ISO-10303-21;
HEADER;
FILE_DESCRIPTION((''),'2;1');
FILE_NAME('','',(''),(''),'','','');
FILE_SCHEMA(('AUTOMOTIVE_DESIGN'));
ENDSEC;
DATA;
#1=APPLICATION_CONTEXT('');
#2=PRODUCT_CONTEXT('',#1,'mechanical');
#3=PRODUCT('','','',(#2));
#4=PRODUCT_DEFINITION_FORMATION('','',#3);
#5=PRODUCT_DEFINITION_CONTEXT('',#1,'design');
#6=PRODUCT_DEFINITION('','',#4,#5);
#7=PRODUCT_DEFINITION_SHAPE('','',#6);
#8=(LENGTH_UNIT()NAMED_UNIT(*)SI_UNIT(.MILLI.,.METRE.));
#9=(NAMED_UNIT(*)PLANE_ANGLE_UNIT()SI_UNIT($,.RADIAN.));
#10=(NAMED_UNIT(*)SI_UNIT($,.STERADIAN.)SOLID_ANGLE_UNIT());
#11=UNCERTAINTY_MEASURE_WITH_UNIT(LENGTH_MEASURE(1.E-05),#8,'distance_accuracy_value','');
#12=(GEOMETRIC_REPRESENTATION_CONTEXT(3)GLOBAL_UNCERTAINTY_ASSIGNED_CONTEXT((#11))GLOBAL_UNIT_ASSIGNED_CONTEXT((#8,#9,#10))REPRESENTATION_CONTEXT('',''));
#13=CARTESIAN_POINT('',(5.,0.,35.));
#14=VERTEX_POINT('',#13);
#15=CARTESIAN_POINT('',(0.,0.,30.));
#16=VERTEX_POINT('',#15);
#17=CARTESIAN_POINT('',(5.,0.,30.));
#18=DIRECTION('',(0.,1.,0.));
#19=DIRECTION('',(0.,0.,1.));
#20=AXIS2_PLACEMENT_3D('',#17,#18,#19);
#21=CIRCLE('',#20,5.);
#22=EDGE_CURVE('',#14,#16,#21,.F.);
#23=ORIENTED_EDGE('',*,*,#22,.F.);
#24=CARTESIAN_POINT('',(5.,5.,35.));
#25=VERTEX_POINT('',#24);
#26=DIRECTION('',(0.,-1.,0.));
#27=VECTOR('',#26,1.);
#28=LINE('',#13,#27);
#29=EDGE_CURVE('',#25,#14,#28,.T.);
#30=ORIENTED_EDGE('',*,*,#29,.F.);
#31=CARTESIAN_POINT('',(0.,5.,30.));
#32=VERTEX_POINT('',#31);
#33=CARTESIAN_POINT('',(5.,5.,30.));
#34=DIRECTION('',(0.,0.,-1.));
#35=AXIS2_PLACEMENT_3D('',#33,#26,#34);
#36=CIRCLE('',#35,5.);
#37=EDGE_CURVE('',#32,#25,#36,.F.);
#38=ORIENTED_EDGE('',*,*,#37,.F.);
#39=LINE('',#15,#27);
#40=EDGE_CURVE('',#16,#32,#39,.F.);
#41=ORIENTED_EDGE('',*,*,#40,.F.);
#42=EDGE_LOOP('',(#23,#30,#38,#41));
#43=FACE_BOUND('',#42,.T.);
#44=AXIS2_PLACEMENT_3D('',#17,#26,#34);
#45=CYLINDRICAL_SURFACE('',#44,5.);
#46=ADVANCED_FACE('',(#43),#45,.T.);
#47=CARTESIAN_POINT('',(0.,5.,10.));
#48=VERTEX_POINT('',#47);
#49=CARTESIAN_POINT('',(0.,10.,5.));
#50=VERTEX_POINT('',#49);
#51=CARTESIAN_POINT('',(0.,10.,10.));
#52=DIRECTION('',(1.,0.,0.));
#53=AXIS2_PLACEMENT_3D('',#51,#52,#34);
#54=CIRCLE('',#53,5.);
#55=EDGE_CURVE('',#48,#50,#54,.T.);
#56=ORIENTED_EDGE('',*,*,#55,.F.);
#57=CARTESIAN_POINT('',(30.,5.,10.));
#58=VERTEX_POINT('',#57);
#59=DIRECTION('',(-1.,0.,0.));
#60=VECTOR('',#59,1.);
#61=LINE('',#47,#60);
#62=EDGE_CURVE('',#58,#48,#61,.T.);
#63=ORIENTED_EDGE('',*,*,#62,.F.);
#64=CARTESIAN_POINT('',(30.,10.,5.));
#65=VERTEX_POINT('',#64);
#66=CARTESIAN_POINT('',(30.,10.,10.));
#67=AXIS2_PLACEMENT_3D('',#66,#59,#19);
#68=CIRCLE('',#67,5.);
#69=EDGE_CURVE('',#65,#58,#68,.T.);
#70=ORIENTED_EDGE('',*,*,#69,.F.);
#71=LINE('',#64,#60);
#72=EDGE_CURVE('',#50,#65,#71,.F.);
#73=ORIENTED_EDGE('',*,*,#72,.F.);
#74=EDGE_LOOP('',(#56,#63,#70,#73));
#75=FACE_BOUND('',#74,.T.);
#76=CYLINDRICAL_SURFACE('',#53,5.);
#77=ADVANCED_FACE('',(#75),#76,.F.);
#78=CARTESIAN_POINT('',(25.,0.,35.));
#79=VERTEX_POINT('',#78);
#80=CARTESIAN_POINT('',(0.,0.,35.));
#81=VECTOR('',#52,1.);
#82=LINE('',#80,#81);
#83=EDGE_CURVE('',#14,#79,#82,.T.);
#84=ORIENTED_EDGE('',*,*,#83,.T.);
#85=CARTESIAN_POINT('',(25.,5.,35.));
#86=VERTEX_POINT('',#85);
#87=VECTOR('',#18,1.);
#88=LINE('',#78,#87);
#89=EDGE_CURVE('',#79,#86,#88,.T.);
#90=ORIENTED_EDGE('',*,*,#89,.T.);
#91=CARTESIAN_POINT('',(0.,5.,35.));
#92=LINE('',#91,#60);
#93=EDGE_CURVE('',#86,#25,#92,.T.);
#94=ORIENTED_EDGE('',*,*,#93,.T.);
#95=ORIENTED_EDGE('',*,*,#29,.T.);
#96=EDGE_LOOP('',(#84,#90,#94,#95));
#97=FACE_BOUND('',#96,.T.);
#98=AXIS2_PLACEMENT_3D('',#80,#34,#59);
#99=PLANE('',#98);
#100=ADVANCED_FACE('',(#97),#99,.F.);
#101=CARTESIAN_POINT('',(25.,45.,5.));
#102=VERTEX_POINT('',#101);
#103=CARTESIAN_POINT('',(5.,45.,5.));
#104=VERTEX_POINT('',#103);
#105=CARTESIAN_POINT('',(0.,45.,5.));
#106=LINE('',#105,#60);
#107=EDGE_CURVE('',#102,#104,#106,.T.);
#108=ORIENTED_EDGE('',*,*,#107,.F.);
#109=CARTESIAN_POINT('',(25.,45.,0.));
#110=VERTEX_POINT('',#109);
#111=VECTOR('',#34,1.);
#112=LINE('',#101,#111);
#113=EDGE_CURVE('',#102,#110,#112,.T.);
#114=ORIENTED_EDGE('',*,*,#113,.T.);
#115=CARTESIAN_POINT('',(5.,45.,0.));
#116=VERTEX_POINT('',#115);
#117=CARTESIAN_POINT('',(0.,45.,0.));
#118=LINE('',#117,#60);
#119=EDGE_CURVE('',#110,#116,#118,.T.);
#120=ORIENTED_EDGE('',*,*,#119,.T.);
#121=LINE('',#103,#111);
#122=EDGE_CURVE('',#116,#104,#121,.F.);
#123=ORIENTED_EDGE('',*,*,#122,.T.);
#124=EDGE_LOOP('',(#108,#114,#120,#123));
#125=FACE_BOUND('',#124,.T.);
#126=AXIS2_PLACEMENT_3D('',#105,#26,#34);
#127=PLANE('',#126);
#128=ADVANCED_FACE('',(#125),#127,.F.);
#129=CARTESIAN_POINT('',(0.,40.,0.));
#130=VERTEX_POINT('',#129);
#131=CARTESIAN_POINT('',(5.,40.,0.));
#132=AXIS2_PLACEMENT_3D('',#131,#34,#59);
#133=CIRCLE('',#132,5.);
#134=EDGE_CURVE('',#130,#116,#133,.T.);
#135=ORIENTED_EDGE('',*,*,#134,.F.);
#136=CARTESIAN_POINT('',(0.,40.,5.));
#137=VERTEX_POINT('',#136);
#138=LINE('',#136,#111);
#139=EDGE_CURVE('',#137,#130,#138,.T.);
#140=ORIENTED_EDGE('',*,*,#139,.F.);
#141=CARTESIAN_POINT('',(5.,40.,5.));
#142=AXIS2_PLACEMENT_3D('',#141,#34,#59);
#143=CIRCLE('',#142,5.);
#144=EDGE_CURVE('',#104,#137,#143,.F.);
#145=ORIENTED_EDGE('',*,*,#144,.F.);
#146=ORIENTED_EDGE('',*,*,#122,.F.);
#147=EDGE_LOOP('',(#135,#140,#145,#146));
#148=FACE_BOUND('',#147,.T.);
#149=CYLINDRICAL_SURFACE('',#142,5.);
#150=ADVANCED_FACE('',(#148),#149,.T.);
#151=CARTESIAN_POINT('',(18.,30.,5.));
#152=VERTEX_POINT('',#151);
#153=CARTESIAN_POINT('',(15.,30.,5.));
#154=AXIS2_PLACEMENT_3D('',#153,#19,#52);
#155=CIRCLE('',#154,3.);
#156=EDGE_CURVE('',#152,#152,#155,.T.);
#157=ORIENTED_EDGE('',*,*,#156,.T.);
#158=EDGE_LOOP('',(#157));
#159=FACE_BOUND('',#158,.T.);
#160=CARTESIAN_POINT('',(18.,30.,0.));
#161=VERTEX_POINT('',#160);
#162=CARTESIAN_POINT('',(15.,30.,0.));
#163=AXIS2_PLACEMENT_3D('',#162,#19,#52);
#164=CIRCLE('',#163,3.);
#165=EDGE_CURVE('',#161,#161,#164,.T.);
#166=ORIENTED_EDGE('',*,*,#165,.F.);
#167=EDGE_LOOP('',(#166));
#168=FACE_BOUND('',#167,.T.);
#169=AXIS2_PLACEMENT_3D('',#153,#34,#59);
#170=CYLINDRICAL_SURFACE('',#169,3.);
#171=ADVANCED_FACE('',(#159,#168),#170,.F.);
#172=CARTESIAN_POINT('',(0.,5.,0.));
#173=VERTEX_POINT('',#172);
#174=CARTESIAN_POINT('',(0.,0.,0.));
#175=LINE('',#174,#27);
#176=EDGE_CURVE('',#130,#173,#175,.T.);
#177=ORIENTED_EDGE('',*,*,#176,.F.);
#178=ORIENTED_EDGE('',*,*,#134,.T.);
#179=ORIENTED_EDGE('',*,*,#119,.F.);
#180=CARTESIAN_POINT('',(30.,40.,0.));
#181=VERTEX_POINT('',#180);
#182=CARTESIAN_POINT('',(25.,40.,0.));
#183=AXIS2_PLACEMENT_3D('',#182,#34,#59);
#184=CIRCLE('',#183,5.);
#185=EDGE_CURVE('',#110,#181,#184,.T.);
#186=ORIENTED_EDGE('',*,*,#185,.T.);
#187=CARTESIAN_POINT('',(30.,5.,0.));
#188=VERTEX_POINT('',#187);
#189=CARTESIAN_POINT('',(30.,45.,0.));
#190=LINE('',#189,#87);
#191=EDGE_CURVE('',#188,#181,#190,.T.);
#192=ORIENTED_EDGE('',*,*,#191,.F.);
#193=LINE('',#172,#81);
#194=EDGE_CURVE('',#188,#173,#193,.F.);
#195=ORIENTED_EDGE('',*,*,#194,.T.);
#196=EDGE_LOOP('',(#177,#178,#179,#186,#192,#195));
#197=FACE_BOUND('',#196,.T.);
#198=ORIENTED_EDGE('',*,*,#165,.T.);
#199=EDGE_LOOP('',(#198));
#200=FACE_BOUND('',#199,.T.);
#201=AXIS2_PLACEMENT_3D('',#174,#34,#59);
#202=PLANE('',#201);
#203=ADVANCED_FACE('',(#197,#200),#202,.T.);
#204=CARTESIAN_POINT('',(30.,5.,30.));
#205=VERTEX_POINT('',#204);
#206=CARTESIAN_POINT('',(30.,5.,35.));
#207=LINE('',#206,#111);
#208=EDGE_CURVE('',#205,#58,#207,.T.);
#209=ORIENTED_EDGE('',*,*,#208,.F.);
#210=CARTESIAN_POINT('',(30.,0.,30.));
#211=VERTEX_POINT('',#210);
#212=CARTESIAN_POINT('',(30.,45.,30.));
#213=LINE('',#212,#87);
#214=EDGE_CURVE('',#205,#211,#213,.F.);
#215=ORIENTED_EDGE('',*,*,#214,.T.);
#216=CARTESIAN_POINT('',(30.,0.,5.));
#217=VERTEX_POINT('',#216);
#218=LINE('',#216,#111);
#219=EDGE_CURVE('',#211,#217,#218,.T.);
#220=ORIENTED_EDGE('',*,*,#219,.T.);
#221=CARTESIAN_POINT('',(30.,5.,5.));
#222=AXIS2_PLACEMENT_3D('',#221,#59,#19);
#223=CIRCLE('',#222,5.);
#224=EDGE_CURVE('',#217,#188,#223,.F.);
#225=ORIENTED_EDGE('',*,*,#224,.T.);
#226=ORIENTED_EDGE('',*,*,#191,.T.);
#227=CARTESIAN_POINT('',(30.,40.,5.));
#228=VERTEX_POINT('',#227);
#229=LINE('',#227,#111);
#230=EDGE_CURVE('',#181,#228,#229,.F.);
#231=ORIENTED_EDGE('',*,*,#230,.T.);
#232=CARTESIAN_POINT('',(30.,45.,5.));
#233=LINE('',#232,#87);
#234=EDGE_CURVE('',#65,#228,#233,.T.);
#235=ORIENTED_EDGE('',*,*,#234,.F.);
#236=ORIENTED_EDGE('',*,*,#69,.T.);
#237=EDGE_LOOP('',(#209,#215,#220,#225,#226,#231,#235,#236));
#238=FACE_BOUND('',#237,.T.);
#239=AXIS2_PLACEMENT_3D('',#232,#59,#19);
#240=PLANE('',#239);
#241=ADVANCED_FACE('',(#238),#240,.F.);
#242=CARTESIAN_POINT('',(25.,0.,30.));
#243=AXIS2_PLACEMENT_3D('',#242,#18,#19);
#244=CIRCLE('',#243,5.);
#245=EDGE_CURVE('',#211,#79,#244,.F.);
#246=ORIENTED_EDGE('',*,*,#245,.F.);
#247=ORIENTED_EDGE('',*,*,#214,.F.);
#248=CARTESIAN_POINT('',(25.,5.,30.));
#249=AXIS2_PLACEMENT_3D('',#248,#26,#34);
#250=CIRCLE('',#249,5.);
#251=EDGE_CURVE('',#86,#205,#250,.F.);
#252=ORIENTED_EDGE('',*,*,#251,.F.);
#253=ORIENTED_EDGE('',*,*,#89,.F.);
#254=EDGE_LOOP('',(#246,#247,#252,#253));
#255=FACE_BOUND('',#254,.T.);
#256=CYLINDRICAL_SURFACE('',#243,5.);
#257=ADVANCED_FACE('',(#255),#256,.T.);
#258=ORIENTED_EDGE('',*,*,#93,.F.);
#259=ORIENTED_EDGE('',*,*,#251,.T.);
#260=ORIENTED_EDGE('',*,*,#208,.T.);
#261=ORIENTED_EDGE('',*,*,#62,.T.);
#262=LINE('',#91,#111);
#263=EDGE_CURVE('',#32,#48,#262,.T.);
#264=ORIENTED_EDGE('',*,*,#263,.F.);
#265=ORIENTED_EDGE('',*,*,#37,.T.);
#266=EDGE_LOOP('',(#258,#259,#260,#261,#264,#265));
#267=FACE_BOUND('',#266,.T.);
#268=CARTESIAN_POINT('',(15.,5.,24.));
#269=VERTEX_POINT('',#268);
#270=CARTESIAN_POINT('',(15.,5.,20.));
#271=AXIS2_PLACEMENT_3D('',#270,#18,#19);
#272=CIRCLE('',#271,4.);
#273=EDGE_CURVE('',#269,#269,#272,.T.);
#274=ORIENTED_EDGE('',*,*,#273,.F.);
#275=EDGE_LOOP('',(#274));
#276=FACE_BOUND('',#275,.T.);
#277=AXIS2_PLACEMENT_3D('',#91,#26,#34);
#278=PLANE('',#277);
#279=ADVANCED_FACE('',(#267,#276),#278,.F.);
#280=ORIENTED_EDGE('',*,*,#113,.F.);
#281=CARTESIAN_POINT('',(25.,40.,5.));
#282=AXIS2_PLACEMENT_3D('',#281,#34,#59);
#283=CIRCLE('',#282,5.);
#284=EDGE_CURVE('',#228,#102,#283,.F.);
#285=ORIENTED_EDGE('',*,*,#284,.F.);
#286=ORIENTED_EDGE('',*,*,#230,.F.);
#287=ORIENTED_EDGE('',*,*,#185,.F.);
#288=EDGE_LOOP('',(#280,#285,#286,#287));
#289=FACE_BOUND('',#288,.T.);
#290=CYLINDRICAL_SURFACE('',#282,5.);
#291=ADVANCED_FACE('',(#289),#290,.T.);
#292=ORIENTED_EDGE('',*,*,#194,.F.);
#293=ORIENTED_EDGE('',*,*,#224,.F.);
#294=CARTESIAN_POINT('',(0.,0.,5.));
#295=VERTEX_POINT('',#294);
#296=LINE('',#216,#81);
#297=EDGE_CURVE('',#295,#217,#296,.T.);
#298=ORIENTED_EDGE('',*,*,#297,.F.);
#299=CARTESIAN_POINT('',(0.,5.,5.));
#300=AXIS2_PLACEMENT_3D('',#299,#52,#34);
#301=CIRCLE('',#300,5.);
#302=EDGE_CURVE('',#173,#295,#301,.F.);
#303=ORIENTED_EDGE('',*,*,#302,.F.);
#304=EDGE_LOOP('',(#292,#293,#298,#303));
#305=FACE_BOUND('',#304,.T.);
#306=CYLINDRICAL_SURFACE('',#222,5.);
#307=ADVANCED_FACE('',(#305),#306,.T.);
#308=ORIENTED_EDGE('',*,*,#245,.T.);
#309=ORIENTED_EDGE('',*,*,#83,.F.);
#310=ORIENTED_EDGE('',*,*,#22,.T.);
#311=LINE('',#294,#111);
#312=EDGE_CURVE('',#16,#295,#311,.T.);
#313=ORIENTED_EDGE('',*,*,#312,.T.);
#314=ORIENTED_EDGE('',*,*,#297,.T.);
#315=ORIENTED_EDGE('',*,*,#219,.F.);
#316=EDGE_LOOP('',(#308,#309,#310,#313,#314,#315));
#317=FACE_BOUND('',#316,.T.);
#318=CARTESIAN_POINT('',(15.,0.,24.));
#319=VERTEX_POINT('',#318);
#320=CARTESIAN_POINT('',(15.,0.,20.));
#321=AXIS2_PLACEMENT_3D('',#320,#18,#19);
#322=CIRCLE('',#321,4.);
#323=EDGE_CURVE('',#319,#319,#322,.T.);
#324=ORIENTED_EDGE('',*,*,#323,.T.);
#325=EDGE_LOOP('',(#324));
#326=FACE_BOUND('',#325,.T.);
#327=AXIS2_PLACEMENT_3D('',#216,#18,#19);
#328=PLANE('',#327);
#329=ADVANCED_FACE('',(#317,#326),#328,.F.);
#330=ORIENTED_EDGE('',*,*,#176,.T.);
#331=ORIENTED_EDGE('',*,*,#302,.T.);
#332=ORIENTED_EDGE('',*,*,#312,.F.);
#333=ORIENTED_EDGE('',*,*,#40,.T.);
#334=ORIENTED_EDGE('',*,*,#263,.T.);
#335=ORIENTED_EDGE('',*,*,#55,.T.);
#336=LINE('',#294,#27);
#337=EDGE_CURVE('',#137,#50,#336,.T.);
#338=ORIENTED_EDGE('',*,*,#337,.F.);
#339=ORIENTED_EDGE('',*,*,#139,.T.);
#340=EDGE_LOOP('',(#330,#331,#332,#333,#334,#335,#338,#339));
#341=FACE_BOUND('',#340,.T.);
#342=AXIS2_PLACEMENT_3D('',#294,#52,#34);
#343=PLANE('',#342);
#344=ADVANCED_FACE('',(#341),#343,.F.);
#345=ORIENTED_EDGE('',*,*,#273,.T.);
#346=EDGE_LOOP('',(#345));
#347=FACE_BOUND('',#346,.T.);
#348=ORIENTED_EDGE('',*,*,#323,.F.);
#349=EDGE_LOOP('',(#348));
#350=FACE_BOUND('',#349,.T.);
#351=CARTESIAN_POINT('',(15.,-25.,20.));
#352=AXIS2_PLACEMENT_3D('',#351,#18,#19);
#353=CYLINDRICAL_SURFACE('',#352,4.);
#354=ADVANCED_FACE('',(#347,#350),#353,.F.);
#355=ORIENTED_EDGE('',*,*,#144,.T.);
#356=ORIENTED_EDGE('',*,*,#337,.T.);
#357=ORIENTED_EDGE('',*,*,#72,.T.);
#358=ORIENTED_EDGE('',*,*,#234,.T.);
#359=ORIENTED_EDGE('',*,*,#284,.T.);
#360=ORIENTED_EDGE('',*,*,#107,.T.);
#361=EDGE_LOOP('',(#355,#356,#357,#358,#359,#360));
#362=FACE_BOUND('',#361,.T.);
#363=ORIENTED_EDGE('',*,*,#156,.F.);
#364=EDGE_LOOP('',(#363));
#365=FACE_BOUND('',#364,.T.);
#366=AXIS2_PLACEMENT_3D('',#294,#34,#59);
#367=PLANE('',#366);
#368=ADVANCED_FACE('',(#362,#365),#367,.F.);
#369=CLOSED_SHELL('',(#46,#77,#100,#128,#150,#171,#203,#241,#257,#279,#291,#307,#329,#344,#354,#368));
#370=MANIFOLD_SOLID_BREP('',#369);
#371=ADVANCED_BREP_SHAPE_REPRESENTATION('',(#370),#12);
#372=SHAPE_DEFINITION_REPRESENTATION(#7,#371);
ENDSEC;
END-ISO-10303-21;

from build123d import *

# Parameters (mm, degrees)
SKETCH1_W           = 30
SKETCH1_H           = 45
SKETCH1_R           = 3
BOSS_EXTRUDE1_DEPTH = 5
SKETCH2_W           = 30
SKETCH2_H           = 5
BOSS_EXTRUDE2_DEPTH = 30
SKETCH3_R           = 4
CUT_EXTRUDE1_DEPTH  = 30
FILLET1_R           = 5


with BuildPart() as part:
    # Sketch1 → Boss-Extrude1 (new body)
    with BuildSketch(Plane.XY):
        with Locations((15, 22.5)):
            Rectangle(SKETCH1_W, SKETCH1_H)
        with Locations((15, 30)):
            Circle(SKETCH1_R, mode=Mode.SUBTRACT)
    extrude(amount=BOSS_EXTRUDE1_DEPTH)

    # Sketch2 → Boss-Extrude2 (add)
    with BuildSketch(Plane.XY.offset(5)):
        with Locations((15, 2.5)):
            Rectangle(SKETCH2_W, SKETCH2_H)
    extrude(amount=BOSS_EXTRUDE2_DEPTH)

    # Sketch3 → Cut-Extrude1 (cut)
    with BuildSketch(Plane(origin=(0, 5, 0), x_dir=(1, 0, 0), z_dir=(0, 1, 0))):
        with Locations(Location((15, -20, 0), (0, 0, 270))):
            Circle(SKETCH3_R)
    extrude(amount=-CUT_EXTRUDE1_DEPTH, mode=Mode.SUBTRACT)

    # Fillet1
    fillet1_edges = [part.edges().sort_by_distance(p)[0] for p in [
        (15, 5, 5),
        (0, 2.5, 35),
        (30, 2.5, 35),
        (15, 0, 0),
        (0, 45, 2.5),
        (30, 45, 2.5),
    ]]
    fillet(fillet1_edges, radius=FILLET1_R)


solid = part.part
